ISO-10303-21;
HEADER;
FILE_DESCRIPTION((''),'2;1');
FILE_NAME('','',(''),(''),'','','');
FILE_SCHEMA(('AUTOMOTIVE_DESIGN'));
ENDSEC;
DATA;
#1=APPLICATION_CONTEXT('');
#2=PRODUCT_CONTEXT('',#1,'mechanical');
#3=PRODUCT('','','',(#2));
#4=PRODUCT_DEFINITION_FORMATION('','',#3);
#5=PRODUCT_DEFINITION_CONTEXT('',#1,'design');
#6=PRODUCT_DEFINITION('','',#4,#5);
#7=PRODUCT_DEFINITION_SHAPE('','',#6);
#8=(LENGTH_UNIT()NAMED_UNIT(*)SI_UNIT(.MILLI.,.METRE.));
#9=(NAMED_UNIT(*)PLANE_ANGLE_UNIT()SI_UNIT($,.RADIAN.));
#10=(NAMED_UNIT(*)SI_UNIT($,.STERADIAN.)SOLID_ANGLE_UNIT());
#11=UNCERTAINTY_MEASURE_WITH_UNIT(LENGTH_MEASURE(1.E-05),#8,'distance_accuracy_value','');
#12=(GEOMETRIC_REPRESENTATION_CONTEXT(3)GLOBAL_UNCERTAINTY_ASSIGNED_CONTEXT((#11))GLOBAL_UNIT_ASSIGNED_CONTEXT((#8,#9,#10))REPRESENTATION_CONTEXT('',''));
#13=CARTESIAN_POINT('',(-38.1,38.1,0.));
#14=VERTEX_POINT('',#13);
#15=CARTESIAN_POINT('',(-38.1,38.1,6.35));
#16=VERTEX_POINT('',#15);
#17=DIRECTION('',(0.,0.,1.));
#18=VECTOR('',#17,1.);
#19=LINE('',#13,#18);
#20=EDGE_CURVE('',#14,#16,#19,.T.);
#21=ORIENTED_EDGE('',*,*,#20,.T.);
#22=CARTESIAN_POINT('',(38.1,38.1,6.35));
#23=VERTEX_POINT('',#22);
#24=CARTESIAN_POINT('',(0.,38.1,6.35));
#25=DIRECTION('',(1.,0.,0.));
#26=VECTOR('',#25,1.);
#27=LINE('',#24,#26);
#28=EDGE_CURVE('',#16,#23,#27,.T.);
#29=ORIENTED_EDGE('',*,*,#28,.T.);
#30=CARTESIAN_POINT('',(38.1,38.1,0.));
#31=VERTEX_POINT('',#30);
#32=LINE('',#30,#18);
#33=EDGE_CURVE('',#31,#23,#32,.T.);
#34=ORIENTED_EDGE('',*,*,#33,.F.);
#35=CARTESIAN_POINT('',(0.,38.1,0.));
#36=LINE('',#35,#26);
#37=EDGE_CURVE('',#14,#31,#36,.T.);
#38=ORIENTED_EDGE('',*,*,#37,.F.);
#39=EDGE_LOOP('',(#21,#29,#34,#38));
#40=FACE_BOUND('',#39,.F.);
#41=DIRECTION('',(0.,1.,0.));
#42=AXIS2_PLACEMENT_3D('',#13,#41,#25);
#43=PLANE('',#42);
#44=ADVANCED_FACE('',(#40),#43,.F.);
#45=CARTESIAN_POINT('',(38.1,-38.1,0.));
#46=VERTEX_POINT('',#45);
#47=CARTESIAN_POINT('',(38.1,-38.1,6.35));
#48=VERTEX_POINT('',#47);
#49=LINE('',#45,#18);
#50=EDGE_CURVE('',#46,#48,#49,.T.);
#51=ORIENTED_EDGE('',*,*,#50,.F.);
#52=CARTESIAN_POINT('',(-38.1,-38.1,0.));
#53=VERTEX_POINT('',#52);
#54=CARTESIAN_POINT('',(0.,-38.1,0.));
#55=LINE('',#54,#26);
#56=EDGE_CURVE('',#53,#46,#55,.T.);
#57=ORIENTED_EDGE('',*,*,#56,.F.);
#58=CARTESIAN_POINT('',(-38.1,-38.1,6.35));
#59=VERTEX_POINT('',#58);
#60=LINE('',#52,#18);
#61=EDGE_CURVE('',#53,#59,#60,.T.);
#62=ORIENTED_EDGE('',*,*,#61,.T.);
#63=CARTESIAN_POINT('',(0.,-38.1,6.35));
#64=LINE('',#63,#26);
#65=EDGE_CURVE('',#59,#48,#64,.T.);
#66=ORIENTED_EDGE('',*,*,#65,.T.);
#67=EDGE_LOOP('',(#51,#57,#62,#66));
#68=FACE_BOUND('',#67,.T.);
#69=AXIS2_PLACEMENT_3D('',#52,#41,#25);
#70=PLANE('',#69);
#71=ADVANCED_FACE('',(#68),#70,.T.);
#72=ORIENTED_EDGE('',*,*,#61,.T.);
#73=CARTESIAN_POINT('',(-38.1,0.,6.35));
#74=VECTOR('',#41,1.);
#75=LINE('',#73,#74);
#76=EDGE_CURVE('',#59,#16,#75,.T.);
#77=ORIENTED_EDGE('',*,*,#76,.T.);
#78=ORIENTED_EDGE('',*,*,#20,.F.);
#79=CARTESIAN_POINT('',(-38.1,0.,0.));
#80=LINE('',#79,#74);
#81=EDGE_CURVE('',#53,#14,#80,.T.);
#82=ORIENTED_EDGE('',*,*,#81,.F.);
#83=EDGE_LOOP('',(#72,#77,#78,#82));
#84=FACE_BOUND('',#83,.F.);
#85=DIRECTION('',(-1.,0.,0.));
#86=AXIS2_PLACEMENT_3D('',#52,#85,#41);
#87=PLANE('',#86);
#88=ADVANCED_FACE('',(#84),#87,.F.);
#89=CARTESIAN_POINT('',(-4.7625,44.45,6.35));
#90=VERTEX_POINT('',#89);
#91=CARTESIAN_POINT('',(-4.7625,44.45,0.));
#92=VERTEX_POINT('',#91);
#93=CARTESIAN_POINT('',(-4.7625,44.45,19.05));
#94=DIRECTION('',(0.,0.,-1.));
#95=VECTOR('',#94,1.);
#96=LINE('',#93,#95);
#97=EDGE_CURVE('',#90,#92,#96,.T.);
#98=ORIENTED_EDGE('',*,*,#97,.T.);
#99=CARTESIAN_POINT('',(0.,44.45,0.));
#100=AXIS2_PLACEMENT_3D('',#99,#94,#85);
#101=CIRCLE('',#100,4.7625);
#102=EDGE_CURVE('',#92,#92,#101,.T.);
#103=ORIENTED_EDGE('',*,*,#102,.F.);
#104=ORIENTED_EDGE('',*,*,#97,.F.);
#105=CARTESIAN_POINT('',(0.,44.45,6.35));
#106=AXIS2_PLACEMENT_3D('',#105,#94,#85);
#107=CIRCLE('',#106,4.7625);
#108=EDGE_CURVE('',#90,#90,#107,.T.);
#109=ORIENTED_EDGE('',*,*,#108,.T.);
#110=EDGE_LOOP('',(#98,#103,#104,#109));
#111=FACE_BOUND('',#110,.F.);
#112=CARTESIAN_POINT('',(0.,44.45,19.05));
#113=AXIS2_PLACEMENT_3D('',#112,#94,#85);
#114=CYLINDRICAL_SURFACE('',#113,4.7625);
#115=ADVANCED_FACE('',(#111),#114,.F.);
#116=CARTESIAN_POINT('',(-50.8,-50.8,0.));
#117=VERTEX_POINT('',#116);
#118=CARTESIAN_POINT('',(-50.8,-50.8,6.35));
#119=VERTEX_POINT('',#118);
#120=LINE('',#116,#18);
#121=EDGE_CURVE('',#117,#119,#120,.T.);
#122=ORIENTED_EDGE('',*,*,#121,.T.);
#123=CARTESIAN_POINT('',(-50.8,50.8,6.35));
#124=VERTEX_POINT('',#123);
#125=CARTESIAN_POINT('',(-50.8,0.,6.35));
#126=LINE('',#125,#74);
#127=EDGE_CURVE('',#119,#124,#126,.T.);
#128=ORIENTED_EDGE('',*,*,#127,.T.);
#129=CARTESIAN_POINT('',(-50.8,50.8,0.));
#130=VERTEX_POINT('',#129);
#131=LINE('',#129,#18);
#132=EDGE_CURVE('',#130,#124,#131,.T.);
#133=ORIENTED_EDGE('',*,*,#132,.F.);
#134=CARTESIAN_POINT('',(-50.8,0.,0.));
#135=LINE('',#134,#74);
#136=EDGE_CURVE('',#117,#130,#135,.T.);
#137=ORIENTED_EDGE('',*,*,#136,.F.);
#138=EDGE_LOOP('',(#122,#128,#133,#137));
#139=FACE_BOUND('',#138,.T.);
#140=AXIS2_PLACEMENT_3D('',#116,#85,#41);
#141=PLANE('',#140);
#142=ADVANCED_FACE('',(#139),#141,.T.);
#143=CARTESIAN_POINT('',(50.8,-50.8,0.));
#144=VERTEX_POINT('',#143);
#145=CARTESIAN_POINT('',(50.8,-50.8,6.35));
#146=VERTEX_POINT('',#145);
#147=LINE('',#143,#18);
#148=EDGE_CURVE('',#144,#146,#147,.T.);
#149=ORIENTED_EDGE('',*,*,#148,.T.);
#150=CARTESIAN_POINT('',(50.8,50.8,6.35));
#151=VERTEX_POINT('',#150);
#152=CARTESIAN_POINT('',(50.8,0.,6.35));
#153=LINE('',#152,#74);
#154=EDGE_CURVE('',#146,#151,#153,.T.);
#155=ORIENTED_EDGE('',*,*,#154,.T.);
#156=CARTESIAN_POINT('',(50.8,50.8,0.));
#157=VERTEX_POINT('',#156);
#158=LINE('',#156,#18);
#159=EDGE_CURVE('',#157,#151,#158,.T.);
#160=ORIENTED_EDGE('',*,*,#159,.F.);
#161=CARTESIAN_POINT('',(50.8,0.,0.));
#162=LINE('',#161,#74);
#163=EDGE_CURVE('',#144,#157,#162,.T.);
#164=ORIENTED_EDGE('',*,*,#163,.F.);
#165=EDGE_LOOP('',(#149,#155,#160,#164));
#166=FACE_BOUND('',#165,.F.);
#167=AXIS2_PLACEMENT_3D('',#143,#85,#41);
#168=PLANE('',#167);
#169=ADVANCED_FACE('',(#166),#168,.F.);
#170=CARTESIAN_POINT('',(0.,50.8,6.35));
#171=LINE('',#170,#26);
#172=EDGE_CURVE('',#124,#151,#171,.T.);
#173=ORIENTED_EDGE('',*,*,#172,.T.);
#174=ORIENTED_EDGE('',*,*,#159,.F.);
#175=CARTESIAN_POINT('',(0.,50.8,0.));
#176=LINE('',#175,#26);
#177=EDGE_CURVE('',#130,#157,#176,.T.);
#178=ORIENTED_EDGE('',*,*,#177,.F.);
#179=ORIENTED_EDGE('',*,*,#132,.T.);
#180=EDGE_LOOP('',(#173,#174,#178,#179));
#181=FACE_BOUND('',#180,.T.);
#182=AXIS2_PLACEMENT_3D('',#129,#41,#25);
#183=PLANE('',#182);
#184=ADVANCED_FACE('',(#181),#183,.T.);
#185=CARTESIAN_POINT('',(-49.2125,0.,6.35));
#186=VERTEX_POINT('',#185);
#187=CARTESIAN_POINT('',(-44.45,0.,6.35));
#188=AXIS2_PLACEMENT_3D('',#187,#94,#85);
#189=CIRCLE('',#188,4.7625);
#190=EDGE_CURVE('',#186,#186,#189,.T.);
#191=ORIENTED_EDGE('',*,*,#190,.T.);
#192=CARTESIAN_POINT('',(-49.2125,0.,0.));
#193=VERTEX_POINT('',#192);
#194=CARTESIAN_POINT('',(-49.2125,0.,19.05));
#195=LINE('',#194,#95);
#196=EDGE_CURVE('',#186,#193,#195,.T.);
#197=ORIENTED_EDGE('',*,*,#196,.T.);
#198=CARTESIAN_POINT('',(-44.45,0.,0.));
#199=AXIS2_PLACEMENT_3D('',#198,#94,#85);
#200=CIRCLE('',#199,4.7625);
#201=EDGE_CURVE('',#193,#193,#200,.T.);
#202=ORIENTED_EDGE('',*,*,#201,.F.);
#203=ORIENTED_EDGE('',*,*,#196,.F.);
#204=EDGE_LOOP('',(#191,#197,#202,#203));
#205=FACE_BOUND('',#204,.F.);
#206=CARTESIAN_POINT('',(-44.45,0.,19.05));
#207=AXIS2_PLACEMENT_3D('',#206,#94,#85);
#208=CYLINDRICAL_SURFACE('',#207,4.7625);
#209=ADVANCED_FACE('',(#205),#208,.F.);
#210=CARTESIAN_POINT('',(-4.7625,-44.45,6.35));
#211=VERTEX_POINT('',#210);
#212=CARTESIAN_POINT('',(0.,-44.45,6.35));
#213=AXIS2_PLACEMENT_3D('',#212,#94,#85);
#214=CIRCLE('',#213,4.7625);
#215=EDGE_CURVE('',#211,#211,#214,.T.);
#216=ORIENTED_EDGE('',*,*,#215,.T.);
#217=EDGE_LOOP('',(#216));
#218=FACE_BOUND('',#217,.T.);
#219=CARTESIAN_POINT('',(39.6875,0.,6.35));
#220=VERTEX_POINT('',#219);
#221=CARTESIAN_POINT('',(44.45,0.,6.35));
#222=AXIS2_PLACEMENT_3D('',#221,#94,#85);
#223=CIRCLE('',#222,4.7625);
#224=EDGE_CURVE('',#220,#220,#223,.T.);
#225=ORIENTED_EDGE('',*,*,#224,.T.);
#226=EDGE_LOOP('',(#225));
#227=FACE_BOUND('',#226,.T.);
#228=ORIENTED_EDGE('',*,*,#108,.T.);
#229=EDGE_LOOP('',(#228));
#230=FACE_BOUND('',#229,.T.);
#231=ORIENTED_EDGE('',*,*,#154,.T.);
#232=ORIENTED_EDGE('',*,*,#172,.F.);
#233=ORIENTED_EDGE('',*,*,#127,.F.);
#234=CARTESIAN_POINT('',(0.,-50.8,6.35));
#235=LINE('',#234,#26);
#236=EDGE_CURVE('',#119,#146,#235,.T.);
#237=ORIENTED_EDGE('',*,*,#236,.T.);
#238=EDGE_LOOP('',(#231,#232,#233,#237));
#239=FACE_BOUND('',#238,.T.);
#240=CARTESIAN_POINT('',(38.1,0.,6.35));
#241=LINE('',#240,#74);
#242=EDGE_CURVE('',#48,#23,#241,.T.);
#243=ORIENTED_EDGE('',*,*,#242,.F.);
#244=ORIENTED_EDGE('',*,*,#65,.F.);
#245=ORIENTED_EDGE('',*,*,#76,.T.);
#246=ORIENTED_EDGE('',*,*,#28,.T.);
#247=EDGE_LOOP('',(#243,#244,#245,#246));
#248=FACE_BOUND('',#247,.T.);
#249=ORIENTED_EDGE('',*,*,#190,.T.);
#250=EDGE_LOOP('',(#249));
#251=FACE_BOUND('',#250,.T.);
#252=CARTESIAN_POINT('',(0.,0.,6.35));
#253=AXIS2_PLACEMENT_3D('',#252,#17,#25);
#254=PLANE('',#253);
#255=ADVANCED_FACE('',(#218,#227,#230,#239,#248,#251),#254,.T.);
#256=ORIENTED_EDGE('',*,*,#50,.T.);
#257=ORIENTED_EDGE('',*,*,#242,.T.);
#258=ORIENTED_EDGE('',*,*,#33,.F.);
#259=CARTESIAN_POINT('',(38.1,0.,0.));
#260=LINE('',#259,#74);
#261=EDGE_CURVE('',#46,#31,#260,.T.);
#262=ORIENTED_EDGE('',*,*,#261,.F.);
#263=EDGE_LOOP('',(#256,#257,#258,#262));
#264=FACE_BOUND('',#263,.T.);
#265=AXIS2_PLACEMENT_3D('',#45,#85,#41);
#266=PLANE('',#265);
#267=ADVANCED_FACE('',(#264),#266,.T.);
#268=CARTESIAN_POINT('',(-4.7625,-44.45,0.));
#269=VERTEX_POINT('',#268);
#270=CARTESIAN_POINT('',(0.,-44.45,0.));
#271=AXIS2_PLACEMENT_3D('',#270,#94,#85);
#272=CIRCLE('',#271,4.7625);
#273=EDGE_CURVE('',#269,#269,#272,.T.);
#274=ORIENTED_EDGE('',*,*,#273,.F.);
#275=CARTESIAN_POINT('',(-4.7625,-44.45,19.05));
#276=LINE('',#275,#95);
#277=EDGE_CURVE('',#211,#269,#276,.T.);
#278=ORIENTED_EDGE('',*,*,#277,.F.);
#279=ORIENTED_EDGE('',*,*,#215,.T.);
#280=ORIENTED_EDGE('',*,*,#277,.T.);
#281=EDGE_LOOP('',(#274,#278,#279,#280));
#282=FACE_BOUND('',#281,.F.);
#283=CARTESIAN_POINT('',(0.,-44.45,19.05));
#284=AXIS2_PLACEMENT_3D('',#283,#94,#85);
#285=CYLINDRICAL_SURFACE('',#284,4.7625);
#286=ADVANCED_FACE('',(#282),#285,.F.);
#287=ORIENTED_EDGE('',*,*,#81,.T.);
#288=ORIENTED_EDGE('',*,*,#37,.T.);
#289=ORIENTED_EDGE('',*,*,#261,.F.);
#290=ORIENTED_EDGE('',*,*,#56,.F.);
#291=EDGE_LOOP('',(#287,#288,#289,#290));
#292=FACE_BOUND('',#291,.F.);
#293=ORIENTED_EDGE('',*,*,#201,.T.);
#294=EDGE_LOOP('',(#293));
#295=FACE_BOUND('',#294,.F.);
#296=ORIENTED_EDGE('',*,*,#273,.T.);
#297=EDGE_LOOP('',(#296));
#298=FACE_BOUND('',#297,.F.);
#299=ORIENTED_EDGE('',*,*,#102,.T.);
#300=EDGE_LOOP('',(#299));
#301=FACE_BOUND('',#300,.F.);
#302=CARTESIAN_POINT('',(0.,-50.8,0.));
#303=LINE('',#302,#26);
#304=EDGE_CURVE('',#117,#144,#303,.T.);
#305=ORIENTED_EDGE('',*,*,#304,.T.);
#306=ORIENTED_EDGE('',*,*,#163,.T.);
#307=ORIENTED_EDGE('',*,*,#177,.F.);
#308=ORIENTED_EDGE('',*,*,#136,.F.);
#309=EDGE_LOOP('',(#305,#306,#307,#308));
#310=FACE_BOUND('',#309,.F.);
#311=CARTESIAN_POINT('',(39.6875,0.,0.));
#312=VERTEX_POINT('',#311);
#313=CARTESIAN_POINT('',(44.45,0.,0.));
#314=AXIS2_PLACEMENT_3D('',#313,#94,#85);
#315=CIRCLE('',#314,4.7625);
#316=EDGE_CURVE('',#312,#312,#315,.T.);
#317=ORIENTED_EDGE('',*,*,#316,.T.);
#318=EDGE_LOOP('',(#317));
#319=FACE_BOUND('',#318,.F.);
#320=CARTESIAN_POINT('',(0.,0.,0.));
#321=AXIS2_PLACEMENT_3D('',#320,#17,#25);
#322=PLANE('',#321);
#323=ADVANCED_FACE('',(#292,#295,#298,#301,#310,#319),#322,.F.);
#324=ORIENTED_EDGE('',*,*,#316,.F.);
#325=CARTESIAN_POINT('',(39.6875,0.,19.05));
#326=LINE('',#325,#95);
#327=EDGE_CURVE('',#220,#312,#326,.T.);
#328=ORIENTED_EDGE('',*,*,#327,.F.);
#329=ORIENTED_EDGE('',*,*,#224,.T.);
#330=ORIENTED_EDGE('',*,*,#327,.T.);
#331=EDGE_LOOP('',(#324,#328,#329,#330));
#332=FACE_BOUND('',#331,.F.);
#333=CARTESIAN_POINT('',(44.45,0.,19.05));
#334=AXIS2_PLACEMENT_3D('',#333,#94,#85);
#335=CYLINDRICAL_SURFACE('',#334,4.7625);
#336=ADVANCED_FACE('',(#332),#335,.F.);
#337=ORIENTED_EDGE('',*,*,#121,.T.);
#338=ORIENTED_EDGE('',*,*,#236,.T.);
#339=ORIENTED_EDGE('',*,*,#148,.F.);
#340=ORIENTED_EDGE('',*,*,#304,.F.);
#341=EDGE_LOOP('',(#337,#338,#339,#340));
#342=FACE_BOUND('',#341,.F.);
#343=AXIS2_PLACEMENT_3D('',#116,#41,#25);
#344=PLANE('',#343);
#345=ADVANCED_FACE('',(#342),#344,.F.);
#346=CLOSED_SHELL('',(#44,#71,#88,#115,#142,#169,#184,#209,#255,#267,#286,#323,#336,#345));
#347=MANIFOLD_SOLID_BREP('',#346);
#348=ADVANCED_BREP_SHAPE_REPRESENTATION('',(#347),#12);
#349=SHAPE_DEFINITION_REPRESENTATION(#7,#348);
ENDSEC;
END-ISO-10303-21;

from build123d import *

# Parameters (mm, degrees)
F0_W     = 101.6
F0_H     = 101.6
F0_W_2   = 76.2
F0_H_2   = 76.2
F1_DEPTH = 6.35
F3_D     = 9.525
F3_DEPTH = 12.7


with BuildPart() as f1:
    # F0 (on Top) → F1 (new body)
    with BuildSketch(Plane.XY):
        Rectangle(F0_W, F0_H)
        Rectangle(F0_W_2, F0_H_2, mode=Mode.SUBTRACT)
    extrude(amount=F1_DEPTH)

    # F3
    with Locations(Plane.XY.offset(6.35)):
        with Locations((0, 44.45), (-44.45, 0), (44.45, 0), (0, -44.45)):
            Hole(F3_D / 2, depth=F3_DEPTH)


solid = f1.part
